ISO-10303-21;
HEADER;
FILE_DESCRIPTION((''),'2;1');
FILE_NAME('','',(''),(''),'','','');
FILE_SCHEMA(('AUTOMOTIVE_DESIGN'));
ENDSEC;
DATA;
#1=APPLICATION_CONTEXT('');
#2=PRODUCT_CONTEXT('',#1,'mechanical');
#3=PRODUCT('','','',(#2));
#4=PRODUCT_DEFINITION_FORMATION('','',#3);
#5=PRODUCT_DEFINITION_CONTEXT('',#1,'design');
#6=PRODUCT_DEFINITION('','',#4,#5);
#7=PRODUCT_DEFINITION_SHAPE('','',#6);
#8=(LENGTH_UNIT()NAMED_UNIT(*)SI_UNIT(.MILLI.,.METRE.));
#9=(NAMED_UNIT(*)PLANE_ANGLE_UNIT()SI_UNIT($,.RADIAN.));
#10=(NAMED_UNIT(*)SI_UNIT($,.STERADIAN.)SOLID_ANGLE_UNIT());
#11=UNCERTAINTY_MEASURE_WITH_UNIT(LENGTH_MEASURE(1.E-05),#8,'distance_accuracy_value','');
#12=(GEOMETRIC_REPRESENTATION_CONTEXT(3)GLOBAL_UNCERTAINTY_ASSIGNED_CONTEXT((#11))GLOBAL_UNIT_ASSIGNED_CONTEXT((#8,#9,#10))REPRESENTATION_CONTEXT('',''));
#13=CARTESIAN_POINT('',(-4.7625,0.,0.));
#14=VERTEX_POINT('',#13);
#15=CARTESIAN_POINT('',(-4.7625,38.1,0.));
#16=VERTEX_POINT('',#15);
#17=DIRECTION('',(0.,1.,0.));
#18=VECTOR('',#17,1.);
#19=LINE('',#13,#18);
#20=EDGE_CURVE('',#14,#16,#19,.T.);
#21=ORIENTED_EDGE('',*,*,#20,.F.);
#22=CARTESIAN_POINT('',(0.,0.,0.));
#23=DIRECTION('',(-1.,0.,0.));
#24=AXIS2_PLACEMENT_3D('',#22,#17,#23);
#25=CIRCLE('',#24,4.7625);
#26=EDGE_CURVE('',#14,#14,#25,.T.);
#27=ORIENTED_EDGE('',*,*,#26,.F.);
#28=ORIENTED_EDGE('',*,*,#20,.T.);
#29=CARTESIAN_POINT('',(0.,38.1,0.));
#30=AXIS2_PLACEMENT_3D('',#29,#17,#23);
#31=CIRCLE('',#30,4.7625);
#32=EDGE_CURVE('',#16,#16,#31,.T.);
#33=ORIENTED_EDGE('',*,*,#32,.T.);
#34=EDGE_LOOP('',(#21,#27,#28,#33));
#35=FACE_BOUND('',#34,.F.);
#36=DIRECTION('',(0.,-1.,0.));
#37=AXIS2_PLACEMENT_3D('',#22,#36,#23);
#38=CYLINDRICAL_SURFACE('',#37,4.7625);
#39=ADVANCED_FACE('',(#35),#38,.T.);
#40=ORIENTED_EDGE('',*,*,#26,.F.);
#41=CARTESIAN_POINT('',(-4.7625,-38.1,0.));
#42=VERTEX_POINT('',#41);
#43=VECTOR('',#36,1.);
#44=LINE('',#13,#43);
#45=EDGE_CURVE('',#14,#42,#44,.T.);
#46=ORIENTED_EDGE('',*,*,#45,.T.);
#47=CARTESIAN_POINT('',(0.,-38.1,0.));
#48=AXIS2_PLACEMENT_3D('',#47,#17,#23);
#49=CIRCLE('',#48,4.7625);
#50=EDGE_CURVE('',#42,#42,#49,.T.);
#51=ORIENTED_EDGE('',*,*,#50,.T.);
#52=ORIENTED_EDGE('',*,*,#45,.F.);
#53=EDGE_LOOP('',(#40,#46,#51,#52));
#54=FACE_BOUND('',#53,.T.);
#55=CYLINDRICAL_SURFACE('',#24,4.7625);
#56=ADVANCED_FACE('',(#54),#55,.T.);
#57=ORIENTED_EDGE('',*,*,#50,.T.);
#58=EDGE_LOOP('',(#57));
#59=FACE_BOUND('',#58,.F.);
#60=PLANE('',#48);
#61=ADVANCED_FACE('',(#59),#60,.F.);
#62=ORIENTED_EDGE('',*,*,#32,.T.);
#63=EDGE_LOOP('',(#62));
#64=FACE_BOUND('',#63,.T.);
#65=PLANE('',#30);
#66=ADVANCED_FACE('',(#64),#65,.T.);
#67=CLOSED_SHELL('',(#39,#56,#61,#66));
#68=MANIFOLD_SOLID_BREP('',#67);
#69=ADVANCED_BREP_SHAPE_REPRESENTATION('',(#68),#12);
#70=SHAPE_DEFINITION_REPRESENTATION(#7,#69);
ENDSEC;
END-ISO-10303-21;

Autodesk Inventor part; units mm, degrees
ref_plane "YZ Plane" through (0, 0, 0) normal (1, 0, 0) x (0, 1, 0)
ref_plane "XZ Plane" through (0, 0, 0) normal (0, 1, 0) x (-1, 0, 0)
ref_plane "XY Plane" through (0, 0, 0) normal (0, 0, 1) x (1, 0, 0)
sketch "Sketch1" plane through (0, 0, 0) normal (0, 1, 0) x (-1, 0, 0)
  circle A0 centre (0, 0) radius 4.7625
  dimension "d0" = 9.525
extrude "Extrusion1" add sketch "Sketch1" along normal mid plane 76.2
properties part number "0_375 in diam aluminum rod" material "Aluminum 6061"
